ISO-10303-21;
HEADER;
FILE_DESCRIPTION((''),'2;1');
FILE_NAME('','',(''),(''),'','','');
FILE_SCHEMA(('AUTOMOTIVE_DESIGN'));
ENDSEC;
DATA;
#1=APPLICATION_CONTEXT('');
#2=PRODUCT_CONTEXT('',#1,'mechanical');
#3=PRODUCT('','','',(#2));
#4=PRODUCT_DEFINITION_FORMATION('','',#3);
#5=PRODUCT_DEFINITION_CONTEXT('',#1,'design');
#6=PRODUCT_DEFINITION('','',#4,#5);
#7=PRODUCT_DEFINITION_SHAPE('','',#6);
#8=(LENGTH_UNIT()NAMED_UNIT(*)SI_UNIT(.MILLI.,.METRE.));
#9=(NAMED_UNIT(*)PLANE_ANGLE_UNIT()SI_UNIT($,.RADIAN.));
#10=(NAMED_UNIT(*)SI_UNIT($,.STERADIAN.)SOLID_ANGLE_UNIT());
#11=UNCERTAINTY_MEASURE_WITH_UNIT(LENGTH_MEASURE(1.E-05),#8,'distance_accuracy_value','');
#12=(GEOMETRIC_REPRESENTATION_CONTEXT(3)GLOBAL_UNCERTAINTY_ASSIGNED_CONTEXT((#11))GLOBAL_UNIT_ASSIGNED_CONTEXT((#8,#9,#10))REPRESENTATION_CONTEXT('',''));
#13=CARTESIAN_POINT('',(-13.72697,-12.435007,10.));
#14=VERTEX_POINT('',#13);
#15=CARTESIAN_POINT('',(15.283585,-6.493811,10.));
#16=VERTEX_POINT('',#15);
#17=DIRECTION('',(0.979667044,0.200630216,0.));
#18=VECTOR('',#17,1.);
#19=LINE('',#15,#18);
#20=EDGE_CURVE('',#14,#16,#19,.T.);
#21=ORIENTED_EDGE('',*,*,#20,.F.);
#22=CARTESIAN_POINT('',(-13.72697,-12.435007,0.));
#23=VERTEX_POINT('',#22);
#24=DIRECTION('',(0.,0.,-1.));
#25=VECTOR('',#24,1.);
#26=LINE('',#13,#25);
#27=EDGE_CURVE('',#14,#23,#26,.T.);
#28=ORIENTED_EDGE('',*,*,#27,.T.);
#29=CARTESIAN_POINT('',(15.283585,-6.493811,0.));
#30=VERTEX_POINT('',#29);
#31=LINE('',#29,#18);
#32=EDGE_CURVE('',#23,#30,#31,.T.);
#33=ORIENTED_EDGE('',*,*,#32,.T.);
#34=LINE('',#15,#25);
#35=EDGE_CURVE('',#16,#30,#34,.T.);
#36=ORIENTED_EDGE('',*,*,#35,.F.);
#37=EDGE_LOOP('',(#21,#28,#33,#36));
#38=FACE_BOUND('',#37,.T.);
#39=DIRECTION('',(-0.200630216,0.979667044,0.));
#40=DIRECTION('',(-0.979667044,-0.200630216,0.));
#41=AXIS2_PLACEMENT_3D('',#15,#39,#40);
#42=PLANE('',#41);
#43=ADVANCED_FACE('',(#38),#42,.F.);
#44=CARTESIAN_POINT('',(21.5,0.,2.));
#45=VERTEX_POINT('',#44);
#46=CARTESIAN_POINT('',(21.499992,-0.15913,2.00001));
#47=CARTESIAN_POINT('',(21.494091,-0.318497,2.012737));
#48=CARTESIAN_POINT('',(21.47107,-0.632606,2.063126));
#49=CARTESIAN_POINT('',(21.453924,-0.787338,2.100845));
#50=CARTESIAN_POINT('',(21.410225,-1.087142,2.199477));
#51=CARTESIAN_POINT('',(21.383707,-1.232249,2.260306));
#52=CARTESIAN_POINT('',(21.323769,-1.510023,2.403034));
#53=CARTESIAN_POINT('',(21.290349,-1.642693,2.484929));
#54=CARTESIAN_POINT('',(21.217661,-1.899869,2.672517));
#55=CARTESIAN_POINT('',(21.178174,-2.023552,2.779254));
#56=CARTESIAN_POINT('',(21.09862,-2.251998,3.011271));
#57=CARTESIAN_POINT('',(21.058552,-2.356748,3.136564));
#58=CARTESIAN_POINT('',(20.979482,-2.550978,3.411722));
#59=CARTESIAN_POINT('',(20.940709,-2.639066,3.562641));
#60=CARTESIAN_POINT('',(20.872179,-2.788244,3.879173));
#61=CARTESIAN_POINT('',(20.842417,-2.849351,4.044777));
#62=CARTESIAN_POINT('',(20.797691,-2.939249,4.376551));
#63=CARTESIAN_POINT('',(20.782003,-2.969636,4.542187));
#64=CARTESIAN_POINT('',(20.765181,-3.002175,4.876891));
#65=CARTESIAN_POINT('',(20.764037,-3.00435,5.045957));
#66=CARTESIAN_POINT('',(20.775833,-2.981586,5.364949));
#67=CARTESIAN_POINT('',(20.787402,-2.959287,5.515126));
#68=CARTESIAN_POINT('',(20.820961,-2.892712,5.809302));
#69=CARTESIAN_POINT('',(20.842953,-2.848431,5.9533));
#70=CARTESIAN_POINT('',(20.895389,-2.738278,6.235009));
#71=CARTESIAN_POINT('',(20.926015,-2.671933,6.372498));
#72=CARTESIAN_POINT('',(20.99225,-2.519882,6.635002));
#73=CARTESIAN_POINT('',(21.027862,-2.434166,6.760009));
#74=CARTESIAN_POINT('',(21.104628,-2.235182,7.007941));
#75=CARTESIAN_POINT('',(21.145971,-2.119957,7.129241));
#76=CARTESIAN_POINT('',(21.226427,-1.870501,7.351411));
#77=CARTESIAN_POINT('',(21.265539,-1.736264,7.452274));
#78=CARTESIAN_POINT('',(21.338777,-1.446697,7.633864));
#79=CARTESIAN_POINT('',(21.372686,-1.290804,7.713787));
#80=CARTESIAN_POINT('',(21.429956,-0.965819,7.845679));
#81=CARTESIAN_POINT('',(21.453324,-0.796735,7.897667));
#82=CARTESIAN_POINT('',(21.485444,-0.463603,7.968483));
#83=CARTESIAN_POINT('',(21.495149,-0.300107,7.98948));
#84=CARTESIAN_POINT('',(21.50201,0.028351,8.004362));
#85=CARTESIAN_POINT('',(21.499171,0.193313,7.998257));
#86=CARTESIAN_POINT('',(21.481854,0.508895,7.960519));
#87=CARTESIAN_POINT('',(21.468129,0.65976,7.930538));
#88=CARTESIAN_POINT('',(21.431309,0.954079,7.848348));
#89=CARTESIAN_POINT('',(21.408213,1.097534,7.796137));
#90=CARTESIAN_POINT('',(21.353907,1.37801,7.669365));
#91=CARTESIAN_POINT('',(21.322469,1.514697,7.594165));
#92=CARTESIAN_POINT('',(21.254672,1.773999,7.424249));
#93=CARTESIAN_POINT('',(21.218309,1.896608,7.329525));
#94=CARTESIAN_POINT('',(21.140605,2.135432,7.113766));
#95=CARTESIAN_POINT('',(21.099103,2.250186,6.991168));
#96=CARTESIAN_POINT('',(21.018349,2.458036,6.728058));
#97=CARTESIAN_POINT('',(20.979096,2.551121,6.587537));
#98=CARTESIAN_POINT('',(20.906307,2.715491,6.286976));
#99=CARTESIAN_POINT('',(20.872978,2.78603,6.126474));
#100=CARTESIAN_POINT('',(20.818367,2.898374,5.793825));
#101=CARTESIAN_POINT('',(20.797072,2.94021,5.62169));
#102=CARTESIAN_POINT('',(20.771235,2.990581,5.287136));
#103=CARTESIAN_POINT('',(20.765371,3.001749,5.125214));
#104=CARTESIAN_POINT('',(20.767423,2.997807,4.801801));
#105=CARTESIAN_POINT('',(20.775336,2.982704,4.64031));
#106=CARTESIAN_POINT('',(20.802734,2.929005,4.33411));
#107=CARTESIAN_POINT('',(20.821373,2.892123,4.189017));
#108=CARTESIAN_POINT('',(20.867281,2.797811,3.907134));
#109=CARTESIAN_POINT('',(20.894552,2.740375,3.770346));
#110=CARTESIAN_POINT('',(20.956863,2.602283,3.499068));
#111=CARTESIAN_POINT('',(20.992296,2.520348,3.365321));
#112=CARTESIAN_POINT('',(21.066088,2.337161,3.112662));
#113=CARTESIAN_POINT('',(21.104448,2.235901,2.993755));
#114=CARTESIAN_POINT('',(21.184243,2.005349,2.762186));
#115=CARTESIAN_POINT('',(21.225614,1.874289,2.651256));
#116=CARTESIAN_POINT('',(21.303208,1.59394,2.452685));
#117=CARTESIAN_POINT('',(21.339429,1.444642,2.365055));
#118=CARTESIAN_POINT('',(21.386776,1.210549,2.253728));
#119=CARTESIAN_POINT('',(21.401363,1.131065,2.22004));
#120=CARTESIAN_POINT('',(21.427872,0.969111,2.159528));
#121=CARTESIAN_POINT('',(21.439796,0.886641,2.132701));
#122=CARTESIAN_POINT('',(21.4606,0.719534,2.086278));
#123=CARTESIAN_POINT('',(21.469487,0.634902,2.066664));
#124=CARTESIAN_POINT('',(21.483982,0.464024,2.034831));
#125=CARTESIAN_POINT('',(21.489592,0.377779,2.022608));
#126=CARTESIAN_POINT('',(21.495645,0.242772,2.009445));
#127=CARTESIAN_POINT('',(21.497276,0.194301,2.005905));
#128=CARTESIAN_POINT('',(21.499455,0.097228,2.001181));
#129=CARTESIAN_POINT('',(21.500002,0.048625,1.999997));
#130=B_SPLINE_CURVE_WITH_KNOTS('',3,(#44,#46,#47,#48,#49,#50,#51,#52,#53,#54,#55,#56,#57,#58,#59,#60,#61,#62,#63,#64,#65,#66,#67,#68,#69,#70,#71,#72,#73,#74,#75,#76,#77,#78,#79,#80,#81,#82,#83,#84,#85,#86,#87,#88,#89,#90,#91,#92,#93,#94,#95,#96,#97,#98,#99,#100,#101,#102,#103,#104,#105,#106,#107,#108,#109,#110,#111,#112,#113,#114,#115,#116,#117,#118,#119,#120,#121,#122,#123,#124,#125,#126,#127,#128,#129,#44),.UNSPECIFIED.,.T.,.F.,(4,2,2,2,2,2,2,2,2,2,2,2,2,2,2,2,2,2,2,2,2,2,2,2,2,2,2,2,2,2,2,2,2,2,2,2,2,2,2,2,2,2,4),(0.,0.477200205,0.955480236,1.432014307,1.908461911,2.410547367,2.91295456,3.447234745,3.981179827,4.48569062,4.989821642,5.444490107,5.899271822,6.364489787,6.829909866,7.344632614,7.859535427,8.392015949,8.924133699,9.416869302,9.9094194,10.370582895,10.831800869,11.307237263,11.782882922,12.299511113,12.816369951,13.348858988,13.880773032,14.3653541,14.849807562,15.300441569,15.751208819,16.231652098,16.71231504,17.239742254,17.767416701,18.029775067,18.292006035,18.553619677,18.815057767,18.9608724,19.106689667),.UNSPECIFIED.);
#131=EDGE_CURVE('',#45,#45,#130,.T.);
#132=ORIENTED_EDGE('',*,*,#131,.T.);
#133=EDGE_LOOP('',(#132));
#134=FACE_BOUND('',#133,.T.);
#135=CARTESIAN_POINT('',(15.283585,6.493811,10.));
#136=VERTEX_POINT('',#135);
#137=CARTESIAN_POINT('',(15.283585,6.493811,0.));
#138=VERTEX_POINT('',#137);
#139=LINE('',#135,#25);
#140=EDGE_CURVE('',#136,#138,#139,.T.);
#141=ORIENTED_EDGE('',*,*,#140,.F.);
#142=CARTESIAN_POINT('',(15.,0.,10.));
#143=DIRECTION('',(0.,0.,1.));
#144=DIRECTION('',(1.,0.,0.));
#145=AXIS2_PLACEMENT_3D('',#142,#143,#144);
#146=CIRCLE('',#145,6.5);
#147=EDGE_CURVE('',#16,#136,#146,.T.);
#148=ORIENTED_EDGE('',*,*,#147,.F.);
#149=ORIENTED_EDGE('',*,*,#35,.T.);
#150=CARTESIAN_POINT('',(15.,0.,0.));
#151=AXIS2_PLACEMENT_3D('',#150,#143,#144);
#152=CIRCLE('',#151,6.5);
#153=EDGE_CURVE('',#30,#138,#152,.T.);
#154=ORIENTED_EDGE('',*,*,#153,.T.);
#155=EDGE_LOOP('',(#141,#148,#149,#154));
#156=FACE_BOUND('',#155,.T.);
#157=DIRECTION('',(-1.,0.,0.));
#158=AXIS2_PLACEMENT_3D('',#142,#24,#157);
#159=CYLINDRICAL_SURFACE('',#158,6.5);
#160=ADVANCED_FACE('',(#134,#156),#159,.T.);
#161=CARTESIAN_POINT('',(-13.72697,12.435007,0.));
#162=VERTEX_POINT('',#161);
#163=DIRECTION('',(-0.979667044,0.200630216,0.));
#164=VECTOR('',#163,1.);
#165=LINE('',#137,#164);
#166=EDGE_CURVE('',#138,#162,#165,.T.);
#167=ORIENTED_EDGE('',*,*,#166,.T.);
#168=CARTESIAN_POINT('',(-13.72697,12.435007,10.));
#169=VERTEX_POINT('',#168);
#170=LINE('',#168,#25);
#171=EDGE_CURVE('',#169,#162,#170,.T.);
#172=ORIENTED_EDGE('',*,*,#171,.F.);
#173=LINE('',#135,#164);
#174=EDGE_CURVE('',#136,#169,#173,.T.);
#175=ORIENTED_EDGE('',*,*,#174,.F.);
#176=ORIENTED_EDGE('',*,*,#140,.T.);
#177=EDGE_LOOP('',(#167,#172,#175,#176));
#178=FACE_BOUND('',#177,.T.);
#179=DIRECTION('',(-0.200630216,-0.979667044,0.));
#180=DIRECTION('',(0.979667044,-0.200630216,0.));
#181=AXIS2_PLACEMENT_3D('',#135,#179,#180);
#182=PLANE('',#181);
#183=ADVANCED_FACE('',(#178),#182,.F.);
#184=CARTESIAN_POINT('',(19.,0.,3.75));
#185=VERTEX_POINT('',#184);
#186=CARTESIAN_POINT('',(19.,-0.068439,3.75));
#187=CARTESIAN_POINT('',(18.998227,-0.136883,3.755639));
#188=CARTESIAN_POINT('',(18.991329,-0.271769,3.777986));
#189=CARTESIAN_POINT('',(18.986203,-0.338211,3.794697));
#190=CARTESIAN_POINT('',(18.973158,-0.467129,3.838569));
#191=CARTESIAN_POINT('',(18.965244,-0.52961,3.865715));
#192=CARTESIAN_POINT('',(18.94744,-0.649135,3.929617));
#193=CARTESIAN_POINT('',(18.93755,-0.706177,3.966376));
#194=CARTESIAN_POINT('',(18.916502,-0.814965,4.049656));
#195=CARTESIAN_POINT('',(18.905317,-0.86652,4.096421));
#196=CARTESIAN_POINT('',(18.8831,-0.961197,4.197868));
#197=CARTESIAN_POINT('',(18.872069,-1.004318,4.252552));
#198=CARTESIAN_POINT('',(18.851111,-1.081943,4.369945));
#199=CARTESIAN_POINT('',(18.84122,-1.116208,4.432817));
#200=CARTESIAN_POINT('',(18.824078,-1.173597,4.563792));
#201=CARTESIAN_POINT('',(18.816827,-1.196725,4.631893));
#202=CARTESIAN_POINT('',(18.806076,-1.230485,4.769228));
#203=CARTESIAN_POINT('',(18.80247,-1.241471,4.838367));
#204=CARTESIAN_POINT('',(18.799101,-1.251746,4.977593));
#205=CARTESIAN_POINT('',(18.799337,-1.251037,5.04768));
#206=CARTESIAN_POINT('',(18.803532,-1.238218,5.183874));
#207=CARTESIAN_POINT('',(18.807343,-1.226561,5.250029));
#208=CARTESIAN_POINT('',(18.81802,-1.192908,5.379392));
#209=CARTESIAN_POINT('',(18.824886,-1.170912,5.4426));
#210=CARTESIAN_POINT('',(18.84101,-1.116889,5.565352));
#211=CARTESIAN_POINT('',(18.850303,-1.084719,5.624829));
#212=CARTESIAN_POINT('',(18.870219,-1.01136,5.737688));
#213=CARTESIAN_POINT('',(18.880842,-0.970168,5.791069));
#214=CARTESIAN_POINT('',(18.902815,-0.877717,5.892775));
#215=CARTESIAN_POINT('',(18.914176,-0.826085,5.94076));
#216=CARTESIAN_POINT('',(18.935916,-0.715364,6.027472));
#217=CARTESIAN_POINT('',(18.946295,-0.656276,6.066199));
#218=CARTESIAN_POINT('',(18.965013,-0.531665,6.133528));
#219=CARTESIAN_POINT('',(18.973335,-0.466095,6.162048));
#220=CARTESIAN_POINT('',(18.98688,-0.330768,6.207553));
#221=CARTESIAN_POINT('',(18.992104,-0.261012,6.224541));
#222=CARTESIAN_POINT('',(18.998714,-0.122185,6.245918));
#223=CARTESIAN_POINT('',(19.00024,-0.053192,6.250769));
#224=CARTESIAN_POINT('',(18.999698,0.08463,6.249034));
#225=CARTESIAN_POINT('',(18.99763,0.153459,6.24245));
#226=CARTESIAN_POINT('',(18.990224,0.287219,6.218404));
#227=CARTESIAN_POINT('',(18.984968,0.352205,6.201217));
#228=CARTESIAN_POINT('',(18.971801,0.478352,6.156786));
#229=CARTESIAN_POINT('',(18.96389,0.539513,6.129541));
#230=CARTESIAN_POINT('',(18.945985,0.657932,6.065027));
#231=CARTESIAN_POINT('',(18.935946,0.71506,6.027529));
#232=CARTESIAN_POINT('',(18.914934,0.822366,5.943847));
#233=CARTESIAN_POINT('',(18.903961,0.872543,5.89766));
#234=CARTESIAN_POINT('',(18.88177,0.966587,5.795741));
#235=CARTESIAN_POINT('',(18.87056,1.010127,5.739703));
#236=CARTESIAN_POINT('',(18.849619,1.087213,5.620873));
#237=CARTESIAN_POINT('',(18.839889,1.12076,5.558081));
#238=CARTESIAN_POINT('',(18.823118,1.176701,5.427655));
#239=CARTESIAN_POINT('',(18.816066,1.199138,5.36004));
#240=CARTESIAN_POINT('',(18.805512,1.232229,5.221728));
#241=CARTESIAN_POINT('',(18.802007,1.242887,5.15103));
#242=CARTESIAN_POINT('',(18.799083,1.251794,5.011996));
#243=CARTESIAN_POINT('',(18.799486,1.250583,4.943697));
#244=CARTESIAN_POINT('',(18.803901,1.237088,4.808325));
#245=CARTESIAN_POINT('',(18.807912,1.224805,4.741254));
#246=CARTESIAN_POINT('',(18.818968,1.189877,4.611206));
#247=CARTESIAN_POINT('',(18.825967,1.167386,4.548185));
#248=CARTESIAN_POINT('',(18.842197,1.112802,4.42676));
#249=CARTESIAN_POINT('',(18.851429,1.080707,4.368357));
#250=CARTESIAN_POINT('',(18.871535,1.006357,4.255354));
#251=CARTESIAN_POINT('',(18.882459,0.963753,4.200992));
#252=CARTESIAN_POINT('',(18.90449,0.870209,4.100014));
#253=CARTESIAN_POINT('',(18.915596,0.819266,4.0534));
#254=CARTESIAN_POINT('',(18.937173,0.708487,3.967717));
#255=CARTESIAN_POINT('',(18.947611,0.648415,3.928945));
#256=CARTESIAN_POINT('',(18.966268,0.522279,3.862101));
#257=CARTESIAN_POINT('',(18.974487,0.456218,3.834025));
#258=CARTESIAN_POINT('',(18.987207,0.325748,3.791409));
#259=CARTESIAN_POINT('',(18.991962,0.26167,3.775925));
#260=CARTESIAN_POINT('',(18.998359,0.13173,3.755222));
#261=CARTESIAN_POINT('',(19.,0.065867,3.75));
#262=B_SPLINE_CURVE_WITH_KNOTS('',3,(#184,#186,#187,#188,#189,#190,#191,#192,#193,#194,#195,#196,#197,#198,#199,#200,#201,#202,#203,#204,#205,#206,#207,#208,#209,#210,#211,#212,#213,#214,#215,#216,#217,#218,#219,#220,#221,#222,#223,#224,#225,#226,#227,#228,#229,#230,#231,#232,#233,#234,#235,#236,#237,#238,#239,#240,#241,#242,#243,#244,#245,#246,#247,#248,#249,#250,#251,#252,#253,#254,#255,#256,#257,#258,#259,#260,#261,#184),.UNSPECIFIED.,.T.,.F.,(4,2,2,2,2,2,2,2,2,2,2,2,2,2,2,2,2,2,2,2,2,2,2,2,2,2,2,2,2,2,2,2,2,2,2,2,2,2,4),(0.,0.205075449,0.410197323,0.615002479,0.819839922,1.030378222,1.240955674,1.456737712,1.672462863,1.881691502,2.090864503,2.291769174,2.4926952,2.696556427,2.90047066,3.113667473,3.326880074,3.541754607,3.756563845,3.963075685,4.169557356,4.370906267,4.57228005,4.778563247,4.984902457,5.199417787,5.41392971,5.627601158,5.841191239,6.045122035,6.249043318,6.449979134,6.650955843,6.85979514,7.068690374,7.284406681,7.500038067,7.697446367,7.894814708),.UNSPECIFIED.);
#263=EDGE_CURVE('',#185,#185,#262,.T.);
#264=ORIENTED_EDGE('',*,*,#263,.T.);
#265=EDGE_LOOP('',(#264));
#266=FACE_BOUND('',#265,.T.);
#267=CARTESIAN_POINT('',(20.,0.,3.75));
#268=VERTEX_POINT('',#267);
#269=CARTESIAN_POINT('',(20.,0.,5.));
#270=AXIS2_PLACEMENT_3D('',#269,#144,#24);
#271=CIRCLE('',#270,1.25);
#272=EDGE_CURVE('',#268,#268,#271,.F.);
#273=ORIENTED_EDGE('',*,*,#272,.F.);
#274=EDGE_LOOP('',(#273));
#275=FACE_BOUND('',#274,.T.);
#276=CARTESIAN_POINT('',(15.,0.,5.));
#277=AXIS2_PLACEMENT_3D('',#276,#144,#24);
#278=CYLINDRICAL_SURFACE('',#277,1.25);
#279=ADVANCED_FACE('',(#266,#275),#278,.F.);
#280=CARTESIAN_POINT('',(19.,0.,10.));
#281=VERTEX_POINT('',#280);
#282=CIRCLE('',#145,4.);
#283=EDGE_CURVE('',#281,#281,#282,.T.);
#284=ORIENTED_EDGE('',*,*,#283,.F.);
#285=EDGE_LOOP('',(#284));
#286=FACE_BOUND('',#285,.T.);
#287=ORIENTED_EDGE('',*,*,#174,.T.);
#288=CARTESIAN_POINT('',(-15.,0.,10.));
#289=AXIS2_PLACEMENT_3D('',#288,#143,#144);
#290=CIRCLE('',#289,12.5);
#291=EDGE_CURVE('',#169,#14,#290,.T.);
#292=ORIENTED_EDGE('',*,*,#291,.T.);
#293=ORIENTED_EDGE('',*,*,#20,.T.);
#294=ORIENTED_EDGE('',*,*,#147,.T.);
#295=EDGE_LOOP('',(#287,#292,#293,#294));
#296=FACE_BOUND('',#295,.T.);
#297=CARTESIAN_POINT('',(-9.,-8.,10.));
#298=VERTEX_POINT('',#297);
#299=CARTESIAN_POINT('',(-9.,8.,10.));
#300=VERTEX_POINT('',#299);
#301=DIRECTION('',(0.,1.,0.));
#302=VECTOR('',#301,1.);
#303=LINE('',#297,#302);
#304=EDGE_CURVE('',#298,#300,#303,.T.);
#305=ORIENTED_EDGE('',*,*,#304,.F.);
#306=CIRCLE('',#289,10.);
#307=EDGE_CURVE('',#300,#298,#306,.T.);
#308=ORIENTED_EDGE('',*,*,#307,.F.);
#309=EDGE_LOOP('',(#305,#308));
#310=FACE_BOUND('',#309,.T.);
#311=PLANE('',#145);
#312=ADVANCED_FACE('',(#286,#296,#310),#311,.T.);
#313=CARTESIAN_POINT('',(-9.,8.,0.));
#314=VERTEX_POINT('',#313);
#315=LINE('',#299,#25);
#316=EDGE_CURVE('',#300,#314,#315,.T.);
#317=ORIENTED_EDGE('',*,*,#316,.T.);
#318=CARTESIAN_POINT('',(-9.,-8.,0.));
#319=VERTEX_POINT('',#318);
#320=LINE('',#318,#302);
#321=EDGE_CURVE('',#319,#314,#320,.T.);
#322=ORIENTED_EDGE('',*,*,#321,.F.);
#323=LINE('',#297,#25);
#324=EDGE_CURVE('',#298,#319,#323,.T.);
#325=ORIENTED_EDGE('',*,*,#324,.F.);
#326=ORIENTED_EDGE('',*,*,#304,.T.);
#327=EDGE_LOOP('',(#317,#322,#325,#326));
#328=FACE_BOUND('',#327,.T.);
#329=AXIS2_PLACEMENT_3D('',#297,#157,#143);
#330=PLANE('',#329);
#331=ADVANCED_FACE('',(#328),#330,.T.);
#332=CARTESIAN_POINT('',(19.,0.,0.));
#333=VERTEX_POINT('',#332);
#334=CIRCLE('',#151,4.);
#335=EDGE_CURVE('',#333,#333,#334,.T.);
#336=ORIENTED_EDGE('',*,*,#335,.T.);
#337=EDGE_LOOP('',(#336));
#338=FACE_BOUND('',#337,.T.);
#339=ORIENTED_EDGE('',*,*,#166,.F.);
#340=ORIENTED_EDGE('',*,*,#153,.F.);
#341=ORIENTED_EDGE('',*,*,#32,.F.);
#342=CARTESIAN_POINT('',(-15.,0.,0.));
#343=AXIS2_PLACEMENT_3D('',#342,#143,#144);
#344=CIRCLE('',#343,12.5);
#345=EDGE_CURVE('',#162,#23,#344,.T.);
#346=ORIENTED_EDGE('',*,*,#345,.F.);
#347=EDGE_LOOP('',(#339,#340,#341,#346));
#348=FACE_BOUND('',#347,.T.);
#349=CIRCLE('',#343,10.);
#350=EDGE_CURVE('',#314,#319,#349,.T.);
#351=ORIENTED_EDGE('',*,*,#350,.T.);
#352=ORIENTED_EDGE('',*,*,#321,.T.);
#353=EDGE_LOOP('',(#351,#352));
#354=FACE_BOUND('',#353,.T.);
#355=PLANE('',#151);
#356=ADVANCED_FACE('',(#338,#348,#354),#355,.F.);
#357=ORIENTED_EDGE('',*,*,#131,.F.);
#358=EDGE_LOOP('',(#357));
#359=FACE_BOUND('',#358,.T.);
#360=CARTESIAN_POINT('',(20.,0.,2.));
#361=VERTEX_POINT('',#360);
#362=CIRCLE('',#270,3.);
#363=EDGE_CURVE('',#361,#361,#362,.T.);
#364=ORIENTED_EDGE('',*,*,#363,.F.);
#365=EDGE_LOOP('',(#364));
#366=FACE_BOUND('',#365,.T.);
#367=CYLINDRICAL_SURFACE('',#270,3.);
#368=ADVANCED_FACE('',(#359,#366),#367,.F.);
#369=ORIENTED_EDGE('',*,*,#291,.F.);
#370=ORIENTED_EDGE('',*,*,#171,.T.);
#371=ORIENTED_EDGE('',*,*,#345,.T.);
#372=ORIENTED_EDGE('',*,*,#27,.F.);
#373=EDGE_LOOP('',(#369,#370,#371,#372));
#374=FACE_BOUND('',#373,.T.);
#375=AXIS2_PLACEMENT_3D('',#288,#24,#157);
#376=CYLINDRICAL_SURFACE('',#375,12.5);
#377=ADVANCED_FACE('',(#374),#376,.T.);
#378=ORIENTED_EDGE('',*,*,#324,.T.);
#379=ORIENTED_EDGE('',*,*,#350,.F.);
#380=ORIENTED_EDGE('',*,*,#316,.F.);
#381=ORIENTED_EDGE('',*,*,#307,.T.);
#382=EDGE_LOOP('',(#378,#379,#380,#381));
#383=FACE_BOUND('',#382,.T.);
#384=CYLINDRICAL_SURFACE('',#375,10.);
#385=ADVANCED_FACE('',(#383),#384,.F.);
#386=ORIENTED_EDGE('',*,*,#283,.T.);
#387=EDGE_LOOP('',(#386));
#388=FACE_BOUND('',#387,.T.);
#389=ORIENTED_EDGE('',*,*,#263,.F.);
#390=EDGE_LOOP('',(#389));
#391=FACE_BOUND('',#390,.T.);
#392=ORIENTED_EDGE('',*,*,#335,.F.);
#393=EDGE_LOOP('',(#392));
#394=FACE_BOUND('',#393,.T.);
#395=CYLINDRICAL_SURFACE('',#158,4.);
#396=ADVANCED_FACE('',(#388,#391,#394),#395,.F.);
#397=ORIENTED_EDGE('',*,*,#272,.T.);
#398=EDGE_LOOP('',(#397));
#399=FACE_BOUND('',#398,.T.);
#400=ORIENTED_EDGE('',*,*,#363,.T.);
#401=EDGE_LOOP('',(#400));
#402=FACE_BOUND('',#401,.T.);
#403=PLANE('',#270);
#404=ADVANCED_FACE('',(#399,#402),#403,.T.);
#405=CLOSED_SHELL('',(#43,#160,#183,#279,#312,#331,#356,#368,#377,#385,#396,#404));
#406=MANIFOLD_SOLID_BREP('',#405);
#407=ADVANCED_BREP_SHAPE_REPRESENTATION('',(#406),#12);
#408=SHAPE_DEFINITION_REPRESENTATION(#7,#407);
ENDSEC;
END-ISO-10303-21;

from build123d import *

# Parameters (mm, degrees)
SKETCH1_R           = 4
BOSS_EXTRUDE1_DEPTH = 10
CUT_EXTRUDE1_DEPTH  = 7
SKETCH3_R           = 3
CUT_EXTRUDE2_DEPTH  = 2


with BuildPart() as part:
    # Sketch1 → Boss-Extrude1 (new body)
    with BuildSketch(Plane.XY):
        with BuildLine():
            Line((15.283584765, 6.493810875), (-13.726969973, 12.435006817))
            ThreePointArc((-13.726969973, 12.435006817), (-27.5, 0), (-13.726969973, -12.435006817))
            Line((-13.726969973, -12.435006817), (15.283584765, -6.493810875))
            ThreePointArc((15.283584765, -6.493810875), (21.5, 0), (15.283584765, 6.493810875))
        make_face()
        with Locations((15, 0)):
            Circle(SKETCH1_R, mode=Mode.SUBTRACT)
        with BuildLine():
            Line((-9, -8), (-9, 8))
            ThreePointArc((-9, 8), (-25, 0), (-9, -8))
        make_face(mode=Mode.SUBTRACT)
    extrude(amount=BOSS_EXTRUDE1_DEPTH)

    # Sketch2 → Cut-Extrude1 (cut)
    with BuildSketch(Plane(origin=(22, 0, 0), x_dir=(0, 0, -1), z_dir=(1, 0, 0))):
        with BuildLine():
            ThreePointArc((-6.25, 0), (-5, -1.25), (-3.75, 0))
            Line((-3.75, 0), (-6.25, 0))
        make_face()
        with BuildLine():
            Line((-6.25, 0), (-3.75, 0))
            ThreePointArc((-3.75, 0), (-5, 1.25), (-6.25, 0))
        make_face()
    extrude(amount=-CUT_EXTRUDE1_DEPTH, mode=Mode.SUBTRACT)

    # Sketch3 → Cut-Extrude2 (cut)
    with BuildSketch(Plane(origin=(22, 0, 0), x_dir=(0, 0, -1), z_dir=(1, 0, 0))):
        with Locations((-5, 0)):
            Circle(SKETCH3_R)
    extrude(amount=-CUT_EXTRUDE2_DEPTH, mode=Mode.SUBTRACT)


solid = part.part
